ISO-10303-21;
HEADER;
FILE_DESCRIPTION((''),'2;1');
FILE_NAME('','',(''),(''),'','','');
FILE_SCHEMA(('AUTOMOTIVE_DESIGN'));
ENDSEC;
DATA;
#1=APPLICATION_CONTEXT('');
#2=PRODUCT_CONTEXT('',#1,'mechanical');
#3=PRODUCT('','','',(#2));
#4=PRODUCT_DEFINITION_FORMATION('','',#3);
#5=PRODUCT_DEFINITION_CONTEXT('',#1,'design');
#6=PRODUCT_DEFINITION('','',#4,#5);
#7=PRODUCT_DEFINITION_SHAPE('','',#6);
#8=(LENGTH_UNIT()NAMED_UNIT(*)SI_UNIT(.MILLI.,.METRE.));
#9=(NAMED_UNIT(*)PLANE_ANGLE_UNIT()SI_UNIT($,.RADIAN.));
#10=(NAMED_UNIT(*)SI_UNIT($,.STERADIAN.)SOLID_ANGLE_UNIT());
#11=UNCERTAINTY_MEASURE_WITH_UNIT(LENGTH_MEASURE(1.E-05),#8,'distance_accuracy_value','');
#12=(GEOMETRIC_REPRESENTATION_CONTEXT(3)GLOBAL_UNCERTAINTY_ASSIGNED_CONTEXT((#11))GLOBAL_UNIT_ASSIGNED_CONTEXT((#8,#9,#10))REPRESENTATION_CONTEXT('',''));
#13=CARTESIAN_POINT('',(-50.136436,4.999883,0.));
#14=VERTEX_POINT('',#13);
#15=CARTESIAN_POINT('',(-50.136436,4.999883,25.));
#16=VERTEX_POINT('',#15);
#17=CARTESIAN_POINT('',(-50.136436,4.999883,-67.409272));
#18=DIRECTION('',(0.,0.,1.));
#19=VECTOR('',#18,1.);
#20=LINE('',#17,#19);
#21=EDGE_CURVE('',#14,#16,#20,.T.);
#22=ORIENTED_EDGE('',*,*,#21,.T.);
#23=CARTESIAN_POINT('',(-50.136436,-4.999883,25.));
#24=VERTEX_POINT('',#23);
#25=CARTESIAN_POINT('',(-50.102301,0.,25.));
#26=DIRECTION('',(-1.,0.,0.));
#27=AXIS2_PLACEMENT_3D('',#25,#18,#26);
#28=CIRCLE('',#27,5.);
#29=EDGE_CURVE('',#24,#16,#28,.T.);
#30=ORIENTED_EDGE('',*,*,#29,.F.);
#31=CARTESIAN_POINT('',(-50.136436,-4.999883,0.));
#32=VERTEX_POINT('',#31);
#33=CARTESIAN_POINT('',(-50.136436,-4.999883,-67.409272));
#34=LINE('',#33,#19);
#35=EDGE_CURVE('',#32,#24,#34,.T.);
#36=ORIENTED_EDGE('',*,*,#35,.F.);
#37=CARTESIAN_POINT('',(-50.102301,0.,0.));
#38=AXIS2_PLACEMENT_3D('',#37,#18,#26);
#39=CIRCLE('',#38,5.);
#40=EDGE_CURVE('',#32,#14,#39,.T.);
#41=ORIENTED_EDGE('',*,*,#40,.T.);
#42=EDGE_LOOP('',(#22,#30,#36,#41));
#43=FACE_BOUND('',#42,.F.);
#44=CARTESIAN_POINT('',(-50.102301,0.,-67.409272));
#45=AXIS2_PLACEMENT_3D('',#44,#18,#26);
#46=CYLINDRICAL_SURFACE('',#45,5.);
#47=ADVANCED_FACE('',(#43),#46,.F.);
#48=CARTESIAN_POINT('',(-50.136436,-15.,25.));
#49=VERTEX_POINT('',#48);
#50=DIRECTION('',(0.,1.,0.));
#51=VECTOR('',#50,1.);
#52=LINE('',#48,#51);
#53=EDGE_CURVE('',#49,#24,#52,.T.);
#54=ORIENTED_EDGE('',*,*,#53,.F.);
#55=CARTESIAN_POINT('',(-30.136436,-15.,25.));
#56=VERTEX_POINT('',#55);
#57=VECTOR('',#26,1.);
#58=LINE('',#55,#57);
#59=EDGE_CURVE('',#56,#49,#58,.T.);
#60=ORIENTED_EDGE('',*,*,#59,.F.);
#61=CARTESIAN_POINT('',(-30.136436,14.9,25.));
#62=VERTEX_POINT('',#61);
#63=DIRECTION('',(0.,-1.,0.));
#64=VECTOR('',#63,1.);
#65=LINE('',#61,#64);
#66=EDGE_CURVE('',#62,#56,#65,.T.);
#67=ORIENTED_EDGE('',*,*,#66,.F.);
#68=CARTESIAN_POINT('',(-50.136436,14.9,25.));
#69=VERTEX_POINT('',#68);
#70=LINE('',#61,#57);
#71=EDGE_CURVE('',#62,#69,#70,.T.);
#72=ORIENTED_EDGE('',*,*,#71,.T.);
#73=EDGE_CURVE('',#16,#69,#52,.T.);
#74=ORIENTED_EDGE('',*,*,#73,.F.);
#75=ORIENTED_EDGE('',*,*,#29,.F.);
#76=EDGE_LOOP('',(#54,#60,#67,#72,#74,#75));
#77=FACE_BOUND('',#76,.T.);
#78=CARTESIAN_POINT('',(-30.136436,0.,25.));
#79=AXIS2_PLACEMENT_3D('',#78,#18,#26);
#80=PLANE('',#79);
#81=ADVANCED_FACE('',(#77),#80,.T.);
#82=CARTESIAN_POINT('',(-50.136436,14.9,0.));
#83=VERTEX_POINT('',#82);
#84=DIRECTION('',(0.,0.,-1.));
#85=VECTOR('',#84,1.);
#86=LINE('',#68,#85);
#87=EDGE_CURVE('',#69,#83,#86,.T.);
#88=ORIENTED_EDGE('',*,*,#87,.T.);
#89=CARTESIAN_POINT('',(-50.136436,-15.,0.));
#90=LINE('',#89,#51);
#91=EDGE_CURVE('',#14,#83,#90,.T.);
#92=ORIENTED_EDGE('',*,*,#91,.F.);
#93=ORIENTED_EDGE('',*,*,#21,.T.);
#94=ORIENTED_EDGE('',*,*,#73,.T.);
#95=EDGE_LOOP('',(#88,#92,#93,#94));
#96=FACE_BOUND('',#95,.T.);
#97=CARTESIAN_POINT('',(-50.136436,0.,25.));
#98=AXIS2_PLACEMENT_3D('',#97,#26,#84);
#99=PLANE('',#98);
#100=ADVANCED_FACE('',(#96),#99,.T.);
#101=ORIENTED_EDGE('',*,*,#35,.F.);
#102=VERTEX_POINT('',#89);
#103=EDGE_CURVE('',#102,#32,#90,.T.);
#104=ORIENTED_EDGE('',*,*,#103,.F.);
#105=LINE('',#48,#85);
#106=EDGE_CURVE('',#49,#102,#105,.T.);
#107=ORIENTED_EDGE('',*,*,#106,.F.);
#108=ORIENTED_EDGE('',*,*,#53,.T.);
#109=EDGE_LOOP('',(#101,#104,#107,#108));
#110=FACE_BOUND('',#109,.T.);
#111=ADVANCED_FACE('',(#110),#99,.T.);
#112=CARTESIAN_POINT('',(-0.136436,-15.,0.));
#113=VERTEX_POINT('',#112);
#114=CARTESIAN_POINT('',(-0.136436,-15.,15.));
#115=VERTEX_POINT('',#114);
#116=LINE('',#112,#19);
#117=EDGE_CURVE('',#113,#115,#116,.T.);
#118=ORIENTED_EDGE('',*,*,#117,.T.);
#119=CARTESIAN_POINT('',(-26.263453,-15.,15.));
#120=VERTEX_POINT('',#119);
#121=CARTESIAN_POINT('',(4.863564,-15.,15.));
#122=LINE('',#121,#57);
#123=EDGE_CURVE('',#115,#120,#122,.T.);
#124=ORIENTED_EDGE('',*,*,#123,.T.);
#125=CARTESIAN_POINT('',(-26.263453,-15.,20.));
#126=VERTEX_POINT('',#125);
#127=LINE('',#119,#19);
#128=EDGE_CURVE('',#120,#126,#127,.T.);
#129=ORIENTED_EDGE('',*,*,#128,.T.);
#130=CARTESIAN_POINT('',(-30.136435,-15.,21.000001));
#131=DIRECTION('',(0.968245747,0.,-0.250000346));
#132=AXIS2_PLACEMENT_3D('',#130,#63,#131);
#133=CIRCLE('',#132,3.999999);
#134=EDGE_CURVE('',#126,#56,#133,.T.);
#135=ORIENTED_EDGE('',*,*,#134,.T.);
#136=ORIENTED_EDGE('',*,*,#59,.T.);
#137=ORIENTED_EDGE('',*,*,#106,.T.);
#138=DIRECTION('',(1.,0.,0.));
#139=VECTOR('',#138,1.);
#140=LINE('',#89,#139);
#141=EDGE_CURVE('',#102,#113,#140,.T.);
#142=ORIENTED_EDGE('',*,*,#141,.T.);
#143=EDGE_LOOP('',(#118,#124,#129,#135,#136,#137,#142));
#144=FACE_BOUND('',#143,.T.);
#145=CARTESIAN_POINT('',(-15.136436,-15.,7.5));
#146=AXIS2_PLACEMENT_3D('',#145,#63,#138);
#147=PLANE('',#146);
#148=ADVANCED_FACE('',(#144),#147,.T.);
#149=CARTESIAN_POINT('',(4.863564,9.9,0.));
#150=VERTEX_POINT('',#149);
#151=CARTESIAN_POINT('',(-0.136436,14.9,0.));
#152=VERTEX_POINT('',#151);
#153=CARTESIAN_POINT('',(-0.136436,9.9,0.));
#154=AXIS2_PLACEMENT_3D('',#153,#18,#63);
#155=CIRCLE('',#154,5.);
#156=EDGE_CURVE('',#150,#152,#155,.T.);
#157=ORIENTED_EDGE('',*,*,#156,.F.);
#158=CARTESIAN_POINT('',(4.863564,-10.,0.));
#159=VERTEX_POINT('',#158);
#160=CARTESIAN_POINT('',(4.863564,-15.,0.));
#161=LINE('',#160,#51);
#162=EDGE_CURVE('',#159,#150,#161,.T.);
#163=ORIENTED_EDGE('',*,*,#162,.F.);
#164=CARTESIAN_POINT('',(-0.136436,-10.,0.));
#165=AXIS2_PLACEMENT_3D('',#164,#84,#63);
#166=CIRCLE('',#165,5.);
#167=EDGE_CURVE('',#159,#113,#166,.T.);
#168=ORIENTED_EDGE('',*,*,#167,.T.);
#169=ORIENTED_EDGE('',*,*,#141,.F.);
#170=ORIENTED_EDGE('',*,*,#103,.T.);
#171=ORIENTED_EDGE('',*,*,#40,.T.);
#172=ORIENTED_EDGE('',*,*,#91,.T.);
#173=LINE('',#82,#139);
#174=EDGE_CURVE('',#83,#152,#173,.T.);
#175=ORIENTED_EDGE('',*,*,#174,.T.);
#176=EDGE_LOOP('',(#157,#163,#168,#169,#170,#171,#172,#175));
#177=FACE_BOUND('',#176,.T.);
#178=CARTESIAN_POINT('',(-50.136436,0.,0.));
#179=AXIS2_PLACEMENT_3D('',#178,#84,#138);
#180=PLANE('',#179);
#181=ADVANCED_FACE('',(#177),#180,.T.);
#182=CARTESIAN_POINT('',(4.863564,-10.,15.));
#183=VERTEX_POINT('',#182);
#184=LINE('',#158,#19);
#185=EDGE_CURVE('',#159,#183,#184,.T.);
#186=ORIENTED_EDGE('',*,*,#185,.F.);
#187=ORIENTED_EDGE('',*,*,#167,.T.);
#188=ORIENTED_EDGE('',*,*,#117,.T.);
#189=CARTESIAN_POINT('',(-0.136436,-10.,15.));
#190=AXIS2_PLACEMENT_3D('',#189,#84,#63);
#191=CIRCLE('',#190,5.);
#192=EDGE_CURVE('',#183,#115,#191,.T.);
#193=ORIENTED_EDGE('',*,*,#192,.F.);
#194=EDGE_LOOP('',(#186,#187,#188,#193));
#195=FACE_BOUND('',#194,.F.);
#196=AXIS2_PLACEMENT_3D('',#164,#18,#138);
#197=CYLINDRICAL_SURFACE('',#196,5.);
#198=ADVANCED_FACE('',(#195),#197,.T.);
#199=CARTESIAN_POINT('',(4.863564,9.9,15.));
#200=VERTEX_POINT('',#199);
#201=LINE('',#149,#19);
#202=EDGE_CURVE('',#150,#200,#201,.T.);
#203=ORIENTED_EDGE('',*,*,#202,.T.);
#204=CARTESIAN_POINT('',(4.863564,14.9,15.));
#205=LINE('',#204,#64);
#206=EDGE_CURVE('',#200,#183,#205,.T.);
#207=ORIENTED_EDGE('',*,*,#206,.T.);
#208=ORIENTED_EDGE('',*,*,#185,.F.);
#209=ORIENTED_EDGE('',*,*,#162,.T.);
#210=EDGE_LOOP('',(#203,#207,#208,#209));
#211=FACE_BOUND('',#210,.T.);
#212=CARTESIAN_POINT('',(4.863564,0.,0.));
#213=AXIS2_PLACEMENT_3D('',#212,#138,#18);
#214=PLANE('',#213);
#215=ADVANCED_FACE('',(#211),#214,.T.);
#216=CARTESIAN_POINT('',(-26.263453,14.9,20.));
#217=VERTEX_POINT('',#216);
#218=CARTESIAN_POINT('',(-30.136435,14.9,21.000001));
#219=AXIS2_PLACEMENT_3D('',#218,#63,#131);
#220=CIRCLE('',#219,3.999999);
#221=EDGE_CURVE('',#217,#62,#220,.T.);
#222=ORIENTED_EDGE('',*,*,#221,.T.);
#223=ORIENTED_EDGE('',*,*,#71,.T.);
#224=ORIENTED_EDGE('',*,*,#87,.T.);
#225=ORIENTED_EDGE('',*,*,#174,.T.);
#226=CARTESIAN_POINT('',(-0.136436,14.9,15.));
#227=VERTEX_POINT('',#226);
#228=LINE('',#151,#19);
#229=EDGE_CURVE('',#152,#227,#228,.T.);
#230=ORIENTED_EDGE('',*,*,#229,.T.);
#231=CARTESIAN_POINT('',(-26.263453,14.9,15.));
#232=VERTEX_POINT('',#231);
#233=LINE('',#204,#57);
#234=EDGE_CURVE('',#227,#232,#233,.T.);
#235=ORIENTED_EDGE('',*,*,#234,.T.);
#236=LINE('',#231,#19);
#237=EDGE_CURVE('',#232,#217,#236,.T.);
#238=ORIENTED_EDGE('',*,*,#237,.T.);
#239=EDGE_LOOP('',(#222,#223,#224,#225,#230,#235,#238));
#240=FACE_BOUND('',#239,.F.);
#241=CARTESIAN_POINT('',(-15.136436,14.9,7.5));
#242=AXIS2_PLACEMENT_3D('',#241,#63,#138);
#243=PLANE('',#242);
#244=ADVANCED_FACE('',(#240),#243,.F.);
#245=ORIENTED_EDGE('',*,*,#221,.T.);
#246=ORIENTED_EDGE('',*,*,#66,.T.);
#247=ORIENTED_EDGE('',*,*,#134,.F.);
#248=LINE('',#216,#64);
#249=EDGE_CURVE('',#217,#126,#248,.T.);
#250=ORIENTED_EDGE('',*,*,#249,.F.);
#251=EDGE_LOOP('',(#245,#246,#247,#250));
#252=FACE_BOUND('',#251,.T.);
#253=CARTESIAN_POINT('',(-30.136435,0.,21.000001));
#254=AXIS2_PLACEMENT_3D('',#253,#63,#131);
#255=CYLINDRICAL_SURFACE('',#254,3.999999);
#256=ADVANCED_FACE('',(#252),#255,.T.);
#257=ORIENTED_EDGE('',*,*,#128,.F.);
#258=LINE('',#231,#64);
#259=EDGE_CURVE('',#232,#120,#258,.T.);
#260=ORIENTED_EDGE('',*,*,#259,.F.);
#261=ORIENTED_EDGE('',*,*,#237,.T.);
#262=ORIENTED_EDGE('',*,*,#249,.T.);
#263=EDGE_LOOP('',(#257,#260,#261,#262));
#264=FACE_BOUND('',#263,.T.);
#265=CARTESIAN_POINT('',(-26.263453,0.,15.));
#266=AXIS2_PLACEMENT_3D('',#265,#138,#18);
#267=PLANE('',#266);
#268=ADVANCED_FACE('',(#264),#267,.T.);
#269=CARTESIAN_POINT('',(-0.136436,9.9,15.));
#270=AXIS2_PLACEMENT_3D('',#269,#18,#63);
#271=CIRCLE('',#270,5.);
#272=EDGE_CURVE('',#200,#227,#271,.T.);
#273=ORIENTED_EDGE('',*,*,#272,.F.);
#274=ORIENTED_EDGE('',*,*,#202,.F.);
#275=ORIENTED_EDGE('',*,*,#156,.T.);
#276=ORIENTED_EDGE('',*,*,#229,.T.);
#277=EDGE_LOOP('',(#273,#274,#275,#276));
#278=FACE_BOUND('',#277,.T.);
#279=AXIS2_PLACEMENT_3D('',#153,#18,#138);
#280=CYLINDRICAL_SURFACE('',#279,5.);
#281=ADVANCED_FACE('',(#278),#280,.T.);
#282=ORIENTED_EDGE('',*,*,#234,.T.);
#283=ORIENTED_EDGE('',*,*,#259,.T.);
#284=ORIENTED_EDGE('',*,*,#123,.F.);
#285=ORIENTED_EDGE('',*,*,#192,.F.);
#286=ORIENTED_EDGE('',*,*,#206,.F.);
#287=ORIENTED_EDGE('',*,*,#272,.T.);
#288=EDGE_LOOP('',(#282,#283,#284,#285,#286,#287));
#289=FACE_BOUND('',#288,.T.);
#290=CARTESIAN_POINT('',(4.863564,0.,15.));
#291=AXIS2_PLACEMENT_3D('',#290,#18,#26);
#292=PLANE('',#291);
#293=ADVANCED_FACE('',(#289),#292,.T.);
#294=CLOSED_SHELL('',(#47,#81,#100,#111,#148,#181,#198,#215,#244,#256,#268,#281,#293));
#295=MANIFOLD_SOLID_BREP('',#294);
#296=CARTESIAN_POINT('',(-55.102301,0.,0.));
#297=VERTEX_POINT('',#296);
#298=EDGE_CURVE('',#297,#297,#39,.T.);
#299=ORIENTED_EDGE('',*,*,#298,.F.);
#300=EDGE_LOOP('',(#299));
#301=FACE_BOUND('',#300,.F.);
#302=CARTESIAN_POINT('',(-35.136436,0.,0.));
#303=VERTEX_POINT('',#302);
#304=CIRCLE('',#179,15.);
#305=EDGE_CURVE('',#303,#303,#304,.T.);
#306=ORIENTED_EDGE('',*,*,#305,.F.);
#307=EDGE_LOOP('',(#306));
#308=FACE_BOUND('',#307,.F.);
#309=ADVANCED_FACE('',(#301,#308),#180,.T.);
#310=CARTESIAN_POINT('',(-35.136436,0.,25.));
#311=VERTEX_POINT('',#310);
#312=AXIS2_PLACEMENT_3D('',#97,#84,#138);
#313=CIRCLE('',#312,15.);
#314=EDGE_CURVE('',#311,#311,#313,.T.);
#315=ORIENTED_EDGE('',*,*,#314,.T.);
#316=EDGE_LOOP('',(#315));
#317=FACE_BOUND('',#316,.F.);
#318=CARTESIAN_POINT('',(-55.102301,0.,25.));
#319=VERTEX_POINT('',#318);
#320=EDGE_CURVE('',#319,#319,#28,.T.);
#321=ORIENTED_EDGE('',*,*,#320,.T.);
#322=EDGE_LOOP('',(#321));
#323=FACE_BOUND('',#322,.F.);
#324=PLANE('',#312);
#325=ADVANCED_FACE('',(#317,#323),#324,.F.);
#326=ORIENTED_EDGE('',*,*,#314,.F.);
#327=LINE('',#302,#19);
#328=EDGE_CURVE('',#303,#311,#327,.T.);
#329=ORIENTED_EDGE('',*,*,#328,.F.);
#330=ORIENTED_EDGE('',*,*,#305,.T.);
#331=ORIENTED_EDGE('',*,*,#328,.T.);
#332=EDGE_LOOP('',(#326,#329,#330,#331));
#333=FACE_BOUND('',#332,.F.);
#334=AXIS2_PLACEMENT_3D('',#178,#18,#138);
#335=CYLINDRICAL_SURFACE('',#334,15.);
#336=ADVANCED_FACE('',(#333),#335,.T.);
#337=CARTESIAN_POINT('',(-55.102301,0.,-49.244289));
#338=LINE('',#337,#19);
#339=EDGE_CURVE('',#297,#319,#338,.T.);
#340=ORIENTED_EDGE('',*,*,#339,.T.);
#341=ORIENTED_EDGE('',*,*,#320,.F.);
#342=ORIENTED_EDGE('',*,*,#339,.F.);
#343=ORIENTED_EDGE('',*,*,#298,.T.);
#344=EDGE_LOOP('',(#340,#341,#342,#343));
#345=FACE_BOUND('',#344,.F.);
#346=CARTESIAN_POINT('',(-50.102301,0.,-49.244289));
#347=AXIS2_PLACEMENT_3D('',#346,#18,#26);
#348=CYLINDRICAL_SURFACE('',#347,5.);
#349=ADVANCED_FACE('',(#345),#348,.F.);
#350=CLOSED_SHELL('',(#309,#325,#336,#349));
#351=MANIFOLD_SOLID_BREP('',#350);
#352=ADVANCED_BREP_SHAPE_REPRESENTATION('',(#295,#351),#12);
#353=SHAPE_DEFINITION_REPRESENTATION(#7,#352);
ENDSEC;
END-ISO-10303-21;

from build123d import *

# Parameters (mm, degrees)
F2_DEPTH      = 15
F2_DEPTH_BACK = 14.9
F4_D          = 10
F4_2_D        = 10
F5_R          = 5


with BuildPart() as f1:
    # F0 (on Front) → F1 (revolve)
    with BuildSketch(Plane.XZ):
        Polygon((-35.136436, 0), (-35.136436, 15), (-35.136436, 25), (-50.136436, 25), (-50.136436, 0), align=None)
    revolve(axis=Axis((-50.136436, 0, 12.5), (0, 0, -1)))

    # F4 (through all)
    with Locations(Plane(origin=(0, 0, 0), x_dir=(1, 0, 0), z_dir=(0, 0, -1))):
        with Locations((-50.102301, 0)):
            Hole(F4_D / 2)


with BuildPart() as f2:
    # F0 (on Front) → F2 (new body, two sides)
    with BuildSketch(Plane.XZ) as f2_sk:
        Polygon((-26.263453, 15), (-35.136436, 15), (-35.136436, 0), (4.863564, 0), (4.863564, 15), align=None)
        with BuildLine():
            Line((-35.136436, 25), (-35.136436, 15))
            Line((-35.136436, 15), (-26.263453, 15))
            Line((-26.263453, 15), (-26.263453, 20))
            ThreePointArc((-26.263453, 20), (-26.974158, 23.44949), (-30.136436, 25))
            Line((-30.136436, 25), (-35.136436, 25))
        make_face()
        Polygon((-35.136436, 0), (-35.136436, 15), (-35.136436, 25), (-50.136436, 25), (-50.136436, 0), align=None)
    extrude(amount=F2_DEPTH)
    extrude(f2_sk.sketch, amount=-F2_DEPTH_BACK)

    # F4#2 (through all)
    with Locations(Plane(origin=(0, 0, 0), x_dir=(1, 0, 0), z_dir=(0, 0, -1))):
        with Locations((-50.102301, 0)):
            Hole(F4_2_D / 2)

    # F5
    f5_edges = [f2.edges().sort_by_distance(p)[0] for p in [
        (4.863564, 14.9, 7.5),
        (4.863564, -15, 7.5),
    ]]
    fillet(f5_edges, radius=F5_R)


solid = Compound([f1.part, f2.part])
